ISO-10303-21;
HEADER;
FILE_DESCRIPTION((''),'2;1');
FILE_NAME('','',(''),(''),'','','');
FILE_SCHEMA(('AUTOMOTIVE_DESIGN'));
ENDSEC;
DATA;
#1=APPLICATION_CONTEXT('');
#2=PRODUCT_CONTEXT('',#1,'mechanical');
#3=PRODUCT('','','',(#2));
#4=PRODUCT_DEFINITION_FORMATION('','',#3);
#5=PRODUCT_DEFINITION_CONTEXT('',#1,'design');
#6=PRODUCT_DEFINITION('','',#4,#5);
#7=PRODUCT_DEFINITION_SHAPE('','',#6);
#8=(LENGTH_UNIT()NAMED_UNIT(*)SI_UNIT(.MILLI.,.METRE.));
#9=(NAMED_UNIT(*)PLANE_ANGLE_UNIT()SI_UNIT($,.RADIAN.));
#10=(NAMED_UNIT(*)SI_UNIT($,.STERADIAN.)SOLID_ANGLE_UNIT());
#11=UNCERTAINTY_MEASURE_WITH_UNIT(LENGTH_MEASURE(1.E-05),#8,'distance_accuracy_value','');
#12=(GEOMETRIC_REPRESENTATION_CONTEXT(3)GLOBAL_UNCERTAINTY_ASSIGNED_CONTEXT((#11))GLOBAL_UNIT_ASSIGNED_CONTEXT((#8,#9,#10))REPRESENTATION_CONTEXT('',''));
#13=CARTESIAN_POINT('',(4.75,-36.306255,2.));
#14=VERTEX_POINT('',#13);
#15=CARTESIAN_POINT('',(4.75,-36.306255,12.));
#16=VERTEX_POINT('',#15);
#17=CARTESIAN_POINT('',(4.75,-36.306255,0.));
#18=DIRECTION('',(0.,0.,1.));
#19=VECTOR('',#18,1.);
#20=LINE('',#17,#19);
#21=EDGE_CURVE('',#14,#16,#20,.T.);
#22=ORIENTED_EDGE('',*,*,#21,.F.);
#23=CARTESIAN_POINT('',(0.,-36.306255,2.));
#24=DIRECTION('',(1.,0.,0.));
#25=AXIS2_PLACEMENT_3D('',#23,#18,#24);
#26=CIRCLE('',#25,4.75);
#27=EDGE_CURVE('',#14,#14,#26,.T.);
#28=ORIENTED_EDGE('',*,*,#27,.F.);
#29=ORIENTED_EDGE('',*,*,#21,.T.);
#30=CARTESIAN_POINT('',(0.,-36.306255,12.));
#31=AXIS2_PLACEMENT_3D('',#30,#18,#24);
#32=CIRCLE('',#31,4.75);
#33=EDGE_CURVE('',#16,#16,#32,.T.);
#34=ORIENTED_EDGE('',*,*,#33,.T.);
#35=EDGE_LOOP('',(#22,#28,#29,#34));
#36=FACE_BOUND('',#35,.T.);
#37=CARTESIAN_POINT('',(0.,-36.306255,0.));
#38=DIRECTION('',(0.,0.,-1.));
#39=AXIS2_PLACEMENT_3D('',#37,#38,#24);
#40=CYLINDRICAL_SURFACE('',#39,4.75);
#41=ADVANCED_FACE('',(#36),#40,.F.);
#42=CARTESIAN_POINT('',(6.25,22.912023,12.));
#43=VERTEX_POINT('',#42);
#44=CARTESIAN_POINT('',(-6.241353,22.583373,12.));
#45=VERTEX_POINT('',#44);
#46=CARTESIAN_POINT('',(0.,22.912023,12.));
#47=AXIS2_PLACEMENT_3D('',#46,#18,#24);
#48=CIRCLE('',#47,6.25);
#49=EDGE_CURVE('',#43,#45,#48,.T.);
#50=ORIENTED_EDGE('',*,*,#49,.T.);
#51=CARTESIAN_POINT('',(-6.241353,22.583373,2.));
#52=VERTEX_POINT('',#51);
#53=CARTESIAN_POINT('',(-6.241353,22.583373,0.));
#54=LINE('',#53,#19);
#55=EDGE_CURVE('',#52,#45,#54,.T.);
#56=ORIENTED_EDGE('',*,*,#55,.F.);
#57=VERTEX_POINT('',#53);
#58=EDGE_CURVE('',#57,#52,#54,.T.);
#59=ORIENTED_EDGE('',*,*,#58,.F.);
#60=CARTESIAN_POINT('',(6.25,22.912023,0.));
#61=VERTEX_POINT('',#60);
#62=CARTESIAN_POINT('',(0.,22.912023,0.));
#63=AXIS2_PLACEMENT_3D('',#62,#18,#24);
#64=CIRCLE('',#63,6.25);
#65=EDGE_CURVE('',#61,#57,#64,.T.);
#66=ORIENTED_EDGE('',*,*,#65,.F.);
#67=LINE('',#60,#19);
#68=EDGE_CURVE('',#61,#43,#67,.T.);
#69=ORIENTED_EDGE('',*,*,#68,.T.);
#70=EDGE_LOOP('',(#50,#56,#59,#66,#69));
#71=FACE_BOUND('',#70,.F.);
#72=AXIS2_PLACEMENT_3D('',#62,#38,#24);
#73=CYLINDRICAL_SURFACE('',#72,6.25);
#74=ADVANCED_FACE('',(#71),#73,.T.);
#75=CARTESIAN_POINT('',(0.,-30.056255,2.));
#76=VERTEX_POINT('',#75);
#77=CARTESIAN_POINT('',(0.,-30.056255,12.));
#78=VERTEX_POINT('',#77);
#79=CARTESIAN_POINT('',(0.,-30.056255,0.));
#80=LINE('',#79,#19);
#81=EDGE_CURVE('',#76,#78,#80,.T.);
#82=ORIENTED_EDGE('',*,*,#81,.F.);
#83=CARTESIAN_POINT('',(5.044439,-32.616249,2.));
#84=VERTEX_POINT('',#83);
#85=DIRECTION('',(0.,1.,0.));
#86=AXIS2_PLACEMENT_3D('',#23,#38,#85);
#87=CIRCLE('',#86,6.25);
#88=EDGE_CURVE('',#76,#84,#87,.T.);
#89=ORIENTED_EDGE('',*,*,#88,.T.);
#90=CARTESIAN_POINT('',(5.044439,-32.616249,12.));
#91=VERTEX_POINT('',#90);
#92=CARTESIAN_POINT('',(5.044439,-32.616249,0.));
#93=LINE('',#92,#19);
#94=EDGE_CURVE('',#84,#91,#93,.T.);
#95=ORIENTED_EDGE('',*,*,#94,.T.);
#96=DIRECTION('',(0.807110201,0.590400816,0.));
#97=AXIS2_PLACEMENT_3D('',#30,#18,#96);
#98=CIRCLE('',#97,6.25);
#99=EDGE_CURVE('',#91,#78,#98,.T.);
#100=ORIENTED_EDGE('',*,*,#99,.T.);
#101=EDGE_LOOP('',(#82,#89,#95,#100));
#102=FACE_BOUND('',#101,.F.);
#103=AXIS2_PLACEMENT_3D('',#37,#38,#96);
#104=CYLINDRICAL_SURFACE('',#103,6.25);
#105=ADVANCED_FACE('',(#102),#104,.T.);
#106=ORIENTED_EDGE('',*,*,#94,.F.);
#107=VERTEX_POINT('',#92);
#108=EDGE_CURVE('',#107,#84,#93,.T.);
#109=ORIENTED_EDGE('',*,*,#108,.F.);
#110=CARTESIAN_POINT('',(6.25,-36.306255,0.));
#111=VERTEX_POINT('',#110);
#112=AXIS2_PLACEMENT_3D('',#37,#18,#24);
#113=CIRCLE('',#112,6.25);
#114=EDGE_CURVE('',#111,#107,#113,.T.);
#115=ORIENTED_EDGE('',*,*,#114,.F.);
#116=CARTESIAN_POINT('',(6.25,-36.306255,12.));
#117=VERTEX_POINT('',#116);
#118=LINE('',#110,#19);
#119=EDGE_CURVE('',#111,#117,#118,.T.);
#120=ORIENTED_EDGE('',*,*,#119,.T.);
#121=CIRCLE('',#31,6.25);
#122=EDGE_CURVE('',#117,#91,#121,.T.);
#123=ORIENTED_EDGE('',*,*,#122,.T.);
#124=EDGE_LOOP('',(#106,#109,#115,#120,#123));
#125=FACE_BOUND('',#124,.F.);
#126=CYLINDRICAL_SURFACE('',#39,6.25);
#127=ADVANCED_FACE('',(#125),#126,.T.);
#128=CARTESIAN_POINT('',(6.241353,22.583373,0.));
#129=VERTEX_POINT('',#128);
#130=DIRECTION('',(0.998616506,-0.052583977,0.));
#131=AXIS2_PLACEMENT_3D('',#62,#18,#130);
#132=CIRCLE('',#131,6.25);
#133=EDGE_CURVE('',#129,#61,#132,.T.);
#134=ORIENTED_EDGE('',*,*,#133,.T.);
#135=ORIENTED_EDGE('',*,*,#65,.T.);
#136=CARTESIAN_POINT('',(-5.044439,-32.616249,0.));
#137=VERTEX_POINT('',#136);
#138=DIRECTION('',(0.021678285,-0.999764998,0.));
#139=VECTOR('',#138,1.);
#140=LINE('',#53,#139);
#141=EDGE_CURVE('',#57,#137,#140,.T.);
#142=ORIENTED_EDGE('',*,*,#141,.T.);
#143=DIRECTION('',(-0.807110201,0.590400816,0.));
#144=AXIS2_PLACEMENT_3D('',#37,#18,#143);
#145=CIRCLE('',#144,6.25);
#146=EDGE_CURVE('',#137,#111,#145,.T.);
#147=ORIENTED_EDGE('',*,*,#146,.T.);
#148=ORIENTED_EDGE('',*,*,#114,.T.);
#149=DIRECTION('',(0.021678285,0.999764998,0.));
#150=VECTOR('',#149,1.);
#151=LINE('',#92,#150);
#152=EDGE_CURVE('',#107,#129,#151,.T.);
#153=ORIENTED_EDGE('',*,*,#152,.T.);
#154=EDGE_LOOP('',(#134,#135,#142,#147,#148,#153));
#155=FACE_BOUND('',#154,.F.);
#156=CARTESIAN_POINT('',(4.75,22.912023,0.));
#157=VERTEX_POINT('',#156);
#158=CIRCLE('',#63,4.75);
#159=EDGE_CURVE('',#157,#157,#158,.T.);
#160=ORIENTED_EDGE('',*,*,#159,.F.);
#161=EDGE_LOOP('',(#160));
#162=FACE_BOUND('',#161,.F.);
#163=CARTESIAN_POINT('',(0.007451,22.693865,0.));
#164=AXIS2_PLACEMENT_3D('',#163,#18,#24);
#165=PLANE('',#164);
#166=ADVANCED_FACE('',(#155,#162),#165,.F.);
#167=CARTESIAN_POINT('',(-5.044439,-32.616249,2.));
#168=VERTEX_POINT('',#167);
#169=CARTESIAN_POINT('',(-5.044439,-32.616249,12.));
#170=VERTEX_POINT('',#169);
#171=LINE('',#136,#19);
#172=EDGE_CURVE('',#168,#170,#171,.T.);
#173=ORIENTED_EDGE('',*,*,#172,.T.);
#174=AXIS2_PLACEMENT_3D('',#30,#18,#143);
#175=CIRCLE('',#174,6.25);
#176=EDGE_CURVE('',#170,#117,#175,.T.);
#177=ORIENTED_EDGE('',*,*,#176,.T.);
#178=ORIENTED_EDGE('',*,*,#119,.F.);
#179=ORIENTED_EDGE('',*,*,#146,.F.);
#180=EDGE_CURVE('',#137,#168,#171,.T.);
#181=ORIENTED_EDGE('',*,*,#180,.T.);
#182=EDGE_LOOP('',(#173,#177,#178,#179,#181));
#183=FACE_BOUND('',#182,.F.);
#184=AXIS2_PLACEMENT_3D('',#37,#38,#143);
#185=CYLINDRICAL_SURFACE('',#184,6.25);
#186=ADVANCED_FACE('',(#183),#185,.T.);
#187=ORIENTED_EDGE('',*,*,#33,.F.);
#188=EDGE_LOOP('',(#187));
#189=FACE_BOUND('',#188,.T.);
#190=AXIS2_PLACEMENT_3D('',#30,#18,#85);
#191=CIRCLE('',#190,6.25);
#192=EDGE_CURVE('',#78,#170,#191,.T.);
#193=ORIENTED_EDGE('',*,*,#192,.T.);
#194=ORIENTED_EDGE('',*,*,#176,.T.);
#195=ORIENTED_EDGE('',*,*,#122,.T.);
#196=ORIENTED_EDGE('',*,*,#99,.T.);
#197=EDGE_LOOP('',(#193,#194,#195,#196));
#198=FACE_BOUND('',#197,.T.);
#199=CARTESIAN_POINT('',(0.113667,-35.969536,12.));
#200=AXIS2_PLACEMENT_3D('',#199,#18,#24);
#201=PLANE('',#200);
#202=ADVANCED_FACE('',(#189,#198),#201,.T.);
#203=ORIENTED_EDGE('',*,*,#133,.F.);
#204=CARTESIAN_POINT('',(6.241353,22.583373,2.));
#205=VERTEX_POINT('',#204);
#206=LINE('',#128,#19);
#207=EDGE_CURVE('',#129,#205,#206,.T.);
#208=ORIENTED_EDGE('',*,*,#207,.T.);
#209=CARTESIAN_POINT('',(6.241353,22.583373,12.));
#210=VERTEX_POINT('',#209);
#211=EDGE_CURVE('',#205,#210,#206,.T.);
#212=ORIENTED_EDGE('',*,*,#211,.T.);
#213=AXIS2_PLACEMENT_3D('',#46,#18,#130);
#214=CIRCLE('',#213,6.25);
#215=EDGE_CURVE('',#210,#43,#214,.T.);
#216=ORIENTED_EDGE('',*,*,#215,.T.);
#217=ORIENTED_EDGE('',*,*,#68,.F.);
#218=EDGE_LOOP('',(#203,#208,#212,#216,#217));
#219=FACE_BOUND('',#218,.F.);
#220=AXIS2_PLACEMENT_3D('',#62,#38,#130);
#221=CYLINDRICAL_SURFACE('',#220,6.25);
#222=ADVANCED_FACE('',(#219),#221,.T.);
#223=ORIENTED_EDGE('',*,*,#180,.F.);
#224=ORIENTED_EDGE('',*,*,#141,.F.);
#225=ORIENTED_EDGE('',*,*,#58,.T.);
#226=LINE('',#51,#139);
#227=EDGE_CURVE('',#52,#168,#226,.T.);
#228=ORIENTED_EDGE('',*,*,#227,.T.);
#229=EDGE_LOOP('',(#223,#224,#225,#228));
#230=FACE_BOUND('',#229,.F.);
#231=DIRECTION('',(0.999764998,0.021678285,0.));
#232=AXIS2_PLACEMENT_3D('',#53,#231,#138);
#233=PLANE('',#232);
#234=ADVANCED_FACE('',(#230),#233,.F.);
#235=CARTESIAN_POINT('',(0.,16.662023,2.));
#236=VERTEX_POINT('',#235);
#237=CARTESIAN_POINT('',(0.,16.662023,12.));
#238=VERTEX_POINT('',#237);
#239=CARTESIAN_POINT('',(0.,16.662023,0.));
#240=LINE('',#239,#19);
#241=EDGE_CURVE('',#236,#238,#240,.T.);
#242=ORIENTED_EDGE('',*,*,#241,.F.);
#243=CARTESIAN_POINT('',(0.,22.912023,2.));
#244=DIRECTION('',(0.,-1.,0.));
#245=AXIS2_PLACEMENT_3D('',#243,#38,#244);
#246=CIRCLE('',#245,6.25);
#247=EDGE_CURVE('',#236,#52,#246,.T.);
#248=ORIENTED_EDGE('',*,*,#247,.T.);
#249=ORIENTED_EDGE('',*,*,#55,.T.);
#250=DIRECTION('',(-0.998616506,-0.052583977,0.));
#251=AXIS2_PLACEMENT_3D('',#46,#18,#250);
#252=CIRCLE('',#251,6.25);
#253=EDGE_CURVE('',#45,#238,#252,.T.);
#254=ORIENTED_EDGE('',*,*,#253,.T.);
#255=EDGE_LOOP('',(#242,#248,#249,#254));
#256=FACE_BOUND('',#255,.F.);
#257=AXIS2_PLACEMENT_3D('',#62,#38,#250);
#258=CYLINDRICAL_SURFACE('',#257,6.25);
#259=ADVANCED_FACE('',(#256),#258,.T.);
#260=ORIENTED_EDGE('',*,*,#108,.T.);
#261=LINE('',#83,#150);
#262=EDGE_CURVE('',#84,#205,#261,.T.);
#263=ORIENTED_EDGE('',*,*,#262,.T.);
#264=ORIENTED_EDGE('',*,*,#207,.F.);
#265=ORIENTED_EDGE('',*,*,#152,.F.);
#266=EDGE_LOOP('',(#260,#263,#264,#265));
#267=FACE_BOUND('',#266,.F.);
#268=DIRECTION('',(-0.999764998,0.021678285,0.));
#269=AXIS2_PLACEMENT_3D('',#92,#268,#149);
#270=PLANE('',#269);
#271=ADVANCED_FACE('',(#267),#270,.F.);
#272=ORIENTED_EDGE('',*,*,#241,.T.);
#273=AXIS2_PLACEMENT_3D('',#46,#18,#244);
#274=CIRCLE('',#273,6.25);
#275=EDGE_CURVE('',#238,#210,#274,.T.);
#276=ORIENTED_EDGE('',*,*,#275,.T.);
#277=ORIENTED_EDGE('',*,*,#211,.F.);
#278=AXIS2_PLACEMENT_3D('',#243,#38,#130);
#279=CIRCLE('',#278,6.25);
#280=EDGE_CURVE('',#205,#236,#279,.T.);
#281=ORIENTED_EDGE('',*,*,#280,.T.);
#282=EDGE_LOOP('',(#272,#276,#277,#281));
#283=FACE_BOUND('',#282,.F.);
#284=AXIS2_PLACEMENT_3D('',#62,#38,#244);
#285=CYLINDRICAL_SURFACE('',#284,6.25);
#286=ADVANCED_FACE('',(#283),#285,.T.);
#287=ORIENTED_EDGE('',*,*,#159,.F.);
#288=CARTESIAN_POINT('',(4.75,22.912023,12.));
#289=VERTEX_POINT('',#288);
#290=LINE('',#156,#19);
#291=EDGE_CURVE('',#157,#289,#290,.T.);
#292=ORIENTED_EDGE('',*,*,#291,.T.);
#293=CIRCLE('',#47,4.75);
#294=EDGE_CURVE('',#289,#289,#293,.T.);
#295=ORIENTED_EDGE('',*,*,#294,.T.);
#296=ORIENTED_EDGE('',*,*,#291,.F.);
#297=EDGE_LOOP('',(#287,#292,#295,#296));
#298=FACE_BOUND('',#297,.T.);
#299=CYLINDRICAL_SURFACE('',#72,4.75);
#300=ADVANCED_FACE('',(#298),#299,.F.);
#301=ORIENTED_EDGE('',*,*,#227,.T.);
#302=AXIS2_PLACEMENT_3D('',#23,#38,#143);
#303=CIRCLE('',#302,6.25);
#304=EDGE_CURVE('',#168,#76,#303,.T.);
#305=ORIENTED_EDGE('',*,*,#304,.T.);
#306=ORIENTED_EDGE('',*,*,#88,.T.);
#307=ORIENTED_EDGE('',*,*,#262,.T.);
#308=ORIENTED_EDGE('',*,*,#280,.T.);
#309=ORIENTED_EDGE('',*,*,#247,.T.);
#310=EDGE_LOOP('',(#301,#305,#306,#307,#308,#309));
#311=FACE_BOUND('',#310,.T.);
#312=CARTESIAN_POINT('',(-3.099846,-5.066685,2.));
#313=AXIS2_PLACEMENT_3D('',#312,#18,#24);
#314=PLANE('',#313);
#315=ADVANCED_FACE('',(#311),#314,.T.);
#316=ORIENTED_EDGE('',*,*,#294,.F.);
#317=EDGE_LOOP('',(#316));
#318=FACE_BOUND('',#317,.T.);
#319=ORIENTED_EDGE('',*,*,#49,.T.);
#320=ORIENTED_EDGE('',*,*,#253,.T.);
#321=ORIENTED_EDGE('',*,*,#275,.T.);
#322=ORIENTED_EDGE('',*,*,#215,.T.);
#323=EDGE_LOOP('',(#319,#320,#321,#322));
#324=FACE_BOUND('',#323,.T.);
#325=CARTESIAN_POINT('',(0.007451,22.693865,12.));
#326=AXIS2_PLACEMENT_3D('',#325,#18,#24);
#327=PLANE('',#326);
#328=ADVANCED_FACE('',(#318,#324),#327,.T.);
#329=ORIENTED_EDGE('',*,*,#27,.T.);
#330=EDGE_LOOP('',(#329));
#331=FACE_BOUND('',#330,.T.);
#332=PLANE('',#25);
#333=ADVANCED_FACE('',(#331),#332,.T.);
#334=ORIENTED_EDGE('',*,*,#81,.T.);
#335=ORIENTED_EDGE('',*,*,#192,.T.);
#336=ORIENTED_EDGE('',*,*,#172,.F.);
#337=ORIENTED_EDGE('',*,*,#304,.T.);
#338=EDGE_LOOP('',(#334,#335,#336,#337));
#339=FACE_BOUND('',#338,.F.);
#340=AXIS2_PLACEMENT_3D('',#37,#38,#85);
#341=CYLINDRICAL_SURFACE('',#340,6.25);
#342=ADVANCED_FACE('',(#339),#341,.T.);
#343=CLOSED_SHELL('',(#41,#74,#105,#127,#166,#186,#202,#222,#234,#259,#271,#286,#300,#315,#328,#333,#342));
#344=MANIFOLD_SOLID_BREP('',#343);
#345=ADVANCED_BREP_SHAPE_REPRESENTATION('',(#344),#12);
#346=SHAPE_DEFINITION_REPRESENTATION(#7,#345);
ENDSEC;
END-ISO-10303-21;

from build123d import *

# Parameters (mm, degrees)
F1_DEPTH = 2
F0_R     = 4.75
F2_DEPTH = 12


with BuildPart() as f1:
    # F0 (on Top) → F1 (new body)
    with BuildSketch(Plane.XY):
        with BuildLine():
            Line((-6.2413531605, 22.5833728044), (-5.0444387575, -32.6162494679))
            ThreePointArc((-5.0444387575, -32.6162494679), (-2.8284243086, -30.7328789341), (0, -30.0562545657))
            Line((0, -30.0562545657), (0, 16.6620226577))
            ThreePointArc((0, 16.6620226577), (-4.3016530786, 18.3778986197), (-6.2413531605, 22.5833728044))
        make_face()
        with BuildLine():
            ThreePointArc((0, -30.0562545657), (2.8284243086, -30.7328789341), (5.0444387575, -32.6162494679))
            Line((5.0444387575, -32.6162494679), (6.2413531605, 22.5833728044))
            ThreePointArc((6.2413531605, 22.5833728044), (4.3016530786, 18.3778986197), (0, 16.6620226577))
            Line((0, 16.6620226577), (0, -30.0562545657))
        make_face()
    extrude(amount=F1_DEPTH)



with BuildPart() as f1b:
    # F0 (on Top) → F1, piece 2 (new body)
    with BuildSketch(Plane.XY):
        with Locations((0, -36.3062545657)):
            Circle(F0_R)
    extrude(amount=F1_DEPTH)


with BuildPart() as f1_1:
    add(f1.part)

    add(f1b.part)  # F2 merges F1b
    # F0 (on Top) → F2 (join)
    with BuildSketch(Plane.XY):
        with BuildLine():
            ThreePointArc((0, 16.6620226577), (4.3016530786, 18.3778986197), (6.2413531605, 22.5833728044))
            ThreePointArc((6.2413531605, 22.5833728044), (6.2478379162, 22.7476408659), (6.25, 22.9120226577))
            ThreePointArc((6.25, 22.9120226577), (-0.1643817918, 29.1598605738), (-6.2413531605, 22.5833728044))
            ThreePointArc((-6.2413531605, 22.5833728044), (-4.3016530786, 18.3778986197), (0, 16.6620226577))
        make_face()
        with Locations((0, 22.9120226577)):
            Circle(F0_R, mode=Mode.SUBTRACT)
        with BuildLine():
            ThreePointArc((-5.0444387575, -32.6162494679), (-1.9409736945, -42.2472242776), (6.25, -36.3062545657))
            ThreePointArc((6.25, -36.3062545657), (5.9409697119, -34.3652808712), (5.0444387575, -32.6162494679))
            ThreePointArc((5.0444387575, -32.6162494679), (2.8284243086, -30.7328789341), (0, -30.0562545657))
            ThreePointArc((0, -30.0562545657), (-2.8284243086, -30.7328789341), (-5.0444387575, -32.6162494679))
        make_face()
        with Locations((0, -36.3062545657)):
            Circle(F0_R, mode=Mode.SUBTRACT)
    extrude(amount=F2_DEPTH)


solid = f1_1.part
